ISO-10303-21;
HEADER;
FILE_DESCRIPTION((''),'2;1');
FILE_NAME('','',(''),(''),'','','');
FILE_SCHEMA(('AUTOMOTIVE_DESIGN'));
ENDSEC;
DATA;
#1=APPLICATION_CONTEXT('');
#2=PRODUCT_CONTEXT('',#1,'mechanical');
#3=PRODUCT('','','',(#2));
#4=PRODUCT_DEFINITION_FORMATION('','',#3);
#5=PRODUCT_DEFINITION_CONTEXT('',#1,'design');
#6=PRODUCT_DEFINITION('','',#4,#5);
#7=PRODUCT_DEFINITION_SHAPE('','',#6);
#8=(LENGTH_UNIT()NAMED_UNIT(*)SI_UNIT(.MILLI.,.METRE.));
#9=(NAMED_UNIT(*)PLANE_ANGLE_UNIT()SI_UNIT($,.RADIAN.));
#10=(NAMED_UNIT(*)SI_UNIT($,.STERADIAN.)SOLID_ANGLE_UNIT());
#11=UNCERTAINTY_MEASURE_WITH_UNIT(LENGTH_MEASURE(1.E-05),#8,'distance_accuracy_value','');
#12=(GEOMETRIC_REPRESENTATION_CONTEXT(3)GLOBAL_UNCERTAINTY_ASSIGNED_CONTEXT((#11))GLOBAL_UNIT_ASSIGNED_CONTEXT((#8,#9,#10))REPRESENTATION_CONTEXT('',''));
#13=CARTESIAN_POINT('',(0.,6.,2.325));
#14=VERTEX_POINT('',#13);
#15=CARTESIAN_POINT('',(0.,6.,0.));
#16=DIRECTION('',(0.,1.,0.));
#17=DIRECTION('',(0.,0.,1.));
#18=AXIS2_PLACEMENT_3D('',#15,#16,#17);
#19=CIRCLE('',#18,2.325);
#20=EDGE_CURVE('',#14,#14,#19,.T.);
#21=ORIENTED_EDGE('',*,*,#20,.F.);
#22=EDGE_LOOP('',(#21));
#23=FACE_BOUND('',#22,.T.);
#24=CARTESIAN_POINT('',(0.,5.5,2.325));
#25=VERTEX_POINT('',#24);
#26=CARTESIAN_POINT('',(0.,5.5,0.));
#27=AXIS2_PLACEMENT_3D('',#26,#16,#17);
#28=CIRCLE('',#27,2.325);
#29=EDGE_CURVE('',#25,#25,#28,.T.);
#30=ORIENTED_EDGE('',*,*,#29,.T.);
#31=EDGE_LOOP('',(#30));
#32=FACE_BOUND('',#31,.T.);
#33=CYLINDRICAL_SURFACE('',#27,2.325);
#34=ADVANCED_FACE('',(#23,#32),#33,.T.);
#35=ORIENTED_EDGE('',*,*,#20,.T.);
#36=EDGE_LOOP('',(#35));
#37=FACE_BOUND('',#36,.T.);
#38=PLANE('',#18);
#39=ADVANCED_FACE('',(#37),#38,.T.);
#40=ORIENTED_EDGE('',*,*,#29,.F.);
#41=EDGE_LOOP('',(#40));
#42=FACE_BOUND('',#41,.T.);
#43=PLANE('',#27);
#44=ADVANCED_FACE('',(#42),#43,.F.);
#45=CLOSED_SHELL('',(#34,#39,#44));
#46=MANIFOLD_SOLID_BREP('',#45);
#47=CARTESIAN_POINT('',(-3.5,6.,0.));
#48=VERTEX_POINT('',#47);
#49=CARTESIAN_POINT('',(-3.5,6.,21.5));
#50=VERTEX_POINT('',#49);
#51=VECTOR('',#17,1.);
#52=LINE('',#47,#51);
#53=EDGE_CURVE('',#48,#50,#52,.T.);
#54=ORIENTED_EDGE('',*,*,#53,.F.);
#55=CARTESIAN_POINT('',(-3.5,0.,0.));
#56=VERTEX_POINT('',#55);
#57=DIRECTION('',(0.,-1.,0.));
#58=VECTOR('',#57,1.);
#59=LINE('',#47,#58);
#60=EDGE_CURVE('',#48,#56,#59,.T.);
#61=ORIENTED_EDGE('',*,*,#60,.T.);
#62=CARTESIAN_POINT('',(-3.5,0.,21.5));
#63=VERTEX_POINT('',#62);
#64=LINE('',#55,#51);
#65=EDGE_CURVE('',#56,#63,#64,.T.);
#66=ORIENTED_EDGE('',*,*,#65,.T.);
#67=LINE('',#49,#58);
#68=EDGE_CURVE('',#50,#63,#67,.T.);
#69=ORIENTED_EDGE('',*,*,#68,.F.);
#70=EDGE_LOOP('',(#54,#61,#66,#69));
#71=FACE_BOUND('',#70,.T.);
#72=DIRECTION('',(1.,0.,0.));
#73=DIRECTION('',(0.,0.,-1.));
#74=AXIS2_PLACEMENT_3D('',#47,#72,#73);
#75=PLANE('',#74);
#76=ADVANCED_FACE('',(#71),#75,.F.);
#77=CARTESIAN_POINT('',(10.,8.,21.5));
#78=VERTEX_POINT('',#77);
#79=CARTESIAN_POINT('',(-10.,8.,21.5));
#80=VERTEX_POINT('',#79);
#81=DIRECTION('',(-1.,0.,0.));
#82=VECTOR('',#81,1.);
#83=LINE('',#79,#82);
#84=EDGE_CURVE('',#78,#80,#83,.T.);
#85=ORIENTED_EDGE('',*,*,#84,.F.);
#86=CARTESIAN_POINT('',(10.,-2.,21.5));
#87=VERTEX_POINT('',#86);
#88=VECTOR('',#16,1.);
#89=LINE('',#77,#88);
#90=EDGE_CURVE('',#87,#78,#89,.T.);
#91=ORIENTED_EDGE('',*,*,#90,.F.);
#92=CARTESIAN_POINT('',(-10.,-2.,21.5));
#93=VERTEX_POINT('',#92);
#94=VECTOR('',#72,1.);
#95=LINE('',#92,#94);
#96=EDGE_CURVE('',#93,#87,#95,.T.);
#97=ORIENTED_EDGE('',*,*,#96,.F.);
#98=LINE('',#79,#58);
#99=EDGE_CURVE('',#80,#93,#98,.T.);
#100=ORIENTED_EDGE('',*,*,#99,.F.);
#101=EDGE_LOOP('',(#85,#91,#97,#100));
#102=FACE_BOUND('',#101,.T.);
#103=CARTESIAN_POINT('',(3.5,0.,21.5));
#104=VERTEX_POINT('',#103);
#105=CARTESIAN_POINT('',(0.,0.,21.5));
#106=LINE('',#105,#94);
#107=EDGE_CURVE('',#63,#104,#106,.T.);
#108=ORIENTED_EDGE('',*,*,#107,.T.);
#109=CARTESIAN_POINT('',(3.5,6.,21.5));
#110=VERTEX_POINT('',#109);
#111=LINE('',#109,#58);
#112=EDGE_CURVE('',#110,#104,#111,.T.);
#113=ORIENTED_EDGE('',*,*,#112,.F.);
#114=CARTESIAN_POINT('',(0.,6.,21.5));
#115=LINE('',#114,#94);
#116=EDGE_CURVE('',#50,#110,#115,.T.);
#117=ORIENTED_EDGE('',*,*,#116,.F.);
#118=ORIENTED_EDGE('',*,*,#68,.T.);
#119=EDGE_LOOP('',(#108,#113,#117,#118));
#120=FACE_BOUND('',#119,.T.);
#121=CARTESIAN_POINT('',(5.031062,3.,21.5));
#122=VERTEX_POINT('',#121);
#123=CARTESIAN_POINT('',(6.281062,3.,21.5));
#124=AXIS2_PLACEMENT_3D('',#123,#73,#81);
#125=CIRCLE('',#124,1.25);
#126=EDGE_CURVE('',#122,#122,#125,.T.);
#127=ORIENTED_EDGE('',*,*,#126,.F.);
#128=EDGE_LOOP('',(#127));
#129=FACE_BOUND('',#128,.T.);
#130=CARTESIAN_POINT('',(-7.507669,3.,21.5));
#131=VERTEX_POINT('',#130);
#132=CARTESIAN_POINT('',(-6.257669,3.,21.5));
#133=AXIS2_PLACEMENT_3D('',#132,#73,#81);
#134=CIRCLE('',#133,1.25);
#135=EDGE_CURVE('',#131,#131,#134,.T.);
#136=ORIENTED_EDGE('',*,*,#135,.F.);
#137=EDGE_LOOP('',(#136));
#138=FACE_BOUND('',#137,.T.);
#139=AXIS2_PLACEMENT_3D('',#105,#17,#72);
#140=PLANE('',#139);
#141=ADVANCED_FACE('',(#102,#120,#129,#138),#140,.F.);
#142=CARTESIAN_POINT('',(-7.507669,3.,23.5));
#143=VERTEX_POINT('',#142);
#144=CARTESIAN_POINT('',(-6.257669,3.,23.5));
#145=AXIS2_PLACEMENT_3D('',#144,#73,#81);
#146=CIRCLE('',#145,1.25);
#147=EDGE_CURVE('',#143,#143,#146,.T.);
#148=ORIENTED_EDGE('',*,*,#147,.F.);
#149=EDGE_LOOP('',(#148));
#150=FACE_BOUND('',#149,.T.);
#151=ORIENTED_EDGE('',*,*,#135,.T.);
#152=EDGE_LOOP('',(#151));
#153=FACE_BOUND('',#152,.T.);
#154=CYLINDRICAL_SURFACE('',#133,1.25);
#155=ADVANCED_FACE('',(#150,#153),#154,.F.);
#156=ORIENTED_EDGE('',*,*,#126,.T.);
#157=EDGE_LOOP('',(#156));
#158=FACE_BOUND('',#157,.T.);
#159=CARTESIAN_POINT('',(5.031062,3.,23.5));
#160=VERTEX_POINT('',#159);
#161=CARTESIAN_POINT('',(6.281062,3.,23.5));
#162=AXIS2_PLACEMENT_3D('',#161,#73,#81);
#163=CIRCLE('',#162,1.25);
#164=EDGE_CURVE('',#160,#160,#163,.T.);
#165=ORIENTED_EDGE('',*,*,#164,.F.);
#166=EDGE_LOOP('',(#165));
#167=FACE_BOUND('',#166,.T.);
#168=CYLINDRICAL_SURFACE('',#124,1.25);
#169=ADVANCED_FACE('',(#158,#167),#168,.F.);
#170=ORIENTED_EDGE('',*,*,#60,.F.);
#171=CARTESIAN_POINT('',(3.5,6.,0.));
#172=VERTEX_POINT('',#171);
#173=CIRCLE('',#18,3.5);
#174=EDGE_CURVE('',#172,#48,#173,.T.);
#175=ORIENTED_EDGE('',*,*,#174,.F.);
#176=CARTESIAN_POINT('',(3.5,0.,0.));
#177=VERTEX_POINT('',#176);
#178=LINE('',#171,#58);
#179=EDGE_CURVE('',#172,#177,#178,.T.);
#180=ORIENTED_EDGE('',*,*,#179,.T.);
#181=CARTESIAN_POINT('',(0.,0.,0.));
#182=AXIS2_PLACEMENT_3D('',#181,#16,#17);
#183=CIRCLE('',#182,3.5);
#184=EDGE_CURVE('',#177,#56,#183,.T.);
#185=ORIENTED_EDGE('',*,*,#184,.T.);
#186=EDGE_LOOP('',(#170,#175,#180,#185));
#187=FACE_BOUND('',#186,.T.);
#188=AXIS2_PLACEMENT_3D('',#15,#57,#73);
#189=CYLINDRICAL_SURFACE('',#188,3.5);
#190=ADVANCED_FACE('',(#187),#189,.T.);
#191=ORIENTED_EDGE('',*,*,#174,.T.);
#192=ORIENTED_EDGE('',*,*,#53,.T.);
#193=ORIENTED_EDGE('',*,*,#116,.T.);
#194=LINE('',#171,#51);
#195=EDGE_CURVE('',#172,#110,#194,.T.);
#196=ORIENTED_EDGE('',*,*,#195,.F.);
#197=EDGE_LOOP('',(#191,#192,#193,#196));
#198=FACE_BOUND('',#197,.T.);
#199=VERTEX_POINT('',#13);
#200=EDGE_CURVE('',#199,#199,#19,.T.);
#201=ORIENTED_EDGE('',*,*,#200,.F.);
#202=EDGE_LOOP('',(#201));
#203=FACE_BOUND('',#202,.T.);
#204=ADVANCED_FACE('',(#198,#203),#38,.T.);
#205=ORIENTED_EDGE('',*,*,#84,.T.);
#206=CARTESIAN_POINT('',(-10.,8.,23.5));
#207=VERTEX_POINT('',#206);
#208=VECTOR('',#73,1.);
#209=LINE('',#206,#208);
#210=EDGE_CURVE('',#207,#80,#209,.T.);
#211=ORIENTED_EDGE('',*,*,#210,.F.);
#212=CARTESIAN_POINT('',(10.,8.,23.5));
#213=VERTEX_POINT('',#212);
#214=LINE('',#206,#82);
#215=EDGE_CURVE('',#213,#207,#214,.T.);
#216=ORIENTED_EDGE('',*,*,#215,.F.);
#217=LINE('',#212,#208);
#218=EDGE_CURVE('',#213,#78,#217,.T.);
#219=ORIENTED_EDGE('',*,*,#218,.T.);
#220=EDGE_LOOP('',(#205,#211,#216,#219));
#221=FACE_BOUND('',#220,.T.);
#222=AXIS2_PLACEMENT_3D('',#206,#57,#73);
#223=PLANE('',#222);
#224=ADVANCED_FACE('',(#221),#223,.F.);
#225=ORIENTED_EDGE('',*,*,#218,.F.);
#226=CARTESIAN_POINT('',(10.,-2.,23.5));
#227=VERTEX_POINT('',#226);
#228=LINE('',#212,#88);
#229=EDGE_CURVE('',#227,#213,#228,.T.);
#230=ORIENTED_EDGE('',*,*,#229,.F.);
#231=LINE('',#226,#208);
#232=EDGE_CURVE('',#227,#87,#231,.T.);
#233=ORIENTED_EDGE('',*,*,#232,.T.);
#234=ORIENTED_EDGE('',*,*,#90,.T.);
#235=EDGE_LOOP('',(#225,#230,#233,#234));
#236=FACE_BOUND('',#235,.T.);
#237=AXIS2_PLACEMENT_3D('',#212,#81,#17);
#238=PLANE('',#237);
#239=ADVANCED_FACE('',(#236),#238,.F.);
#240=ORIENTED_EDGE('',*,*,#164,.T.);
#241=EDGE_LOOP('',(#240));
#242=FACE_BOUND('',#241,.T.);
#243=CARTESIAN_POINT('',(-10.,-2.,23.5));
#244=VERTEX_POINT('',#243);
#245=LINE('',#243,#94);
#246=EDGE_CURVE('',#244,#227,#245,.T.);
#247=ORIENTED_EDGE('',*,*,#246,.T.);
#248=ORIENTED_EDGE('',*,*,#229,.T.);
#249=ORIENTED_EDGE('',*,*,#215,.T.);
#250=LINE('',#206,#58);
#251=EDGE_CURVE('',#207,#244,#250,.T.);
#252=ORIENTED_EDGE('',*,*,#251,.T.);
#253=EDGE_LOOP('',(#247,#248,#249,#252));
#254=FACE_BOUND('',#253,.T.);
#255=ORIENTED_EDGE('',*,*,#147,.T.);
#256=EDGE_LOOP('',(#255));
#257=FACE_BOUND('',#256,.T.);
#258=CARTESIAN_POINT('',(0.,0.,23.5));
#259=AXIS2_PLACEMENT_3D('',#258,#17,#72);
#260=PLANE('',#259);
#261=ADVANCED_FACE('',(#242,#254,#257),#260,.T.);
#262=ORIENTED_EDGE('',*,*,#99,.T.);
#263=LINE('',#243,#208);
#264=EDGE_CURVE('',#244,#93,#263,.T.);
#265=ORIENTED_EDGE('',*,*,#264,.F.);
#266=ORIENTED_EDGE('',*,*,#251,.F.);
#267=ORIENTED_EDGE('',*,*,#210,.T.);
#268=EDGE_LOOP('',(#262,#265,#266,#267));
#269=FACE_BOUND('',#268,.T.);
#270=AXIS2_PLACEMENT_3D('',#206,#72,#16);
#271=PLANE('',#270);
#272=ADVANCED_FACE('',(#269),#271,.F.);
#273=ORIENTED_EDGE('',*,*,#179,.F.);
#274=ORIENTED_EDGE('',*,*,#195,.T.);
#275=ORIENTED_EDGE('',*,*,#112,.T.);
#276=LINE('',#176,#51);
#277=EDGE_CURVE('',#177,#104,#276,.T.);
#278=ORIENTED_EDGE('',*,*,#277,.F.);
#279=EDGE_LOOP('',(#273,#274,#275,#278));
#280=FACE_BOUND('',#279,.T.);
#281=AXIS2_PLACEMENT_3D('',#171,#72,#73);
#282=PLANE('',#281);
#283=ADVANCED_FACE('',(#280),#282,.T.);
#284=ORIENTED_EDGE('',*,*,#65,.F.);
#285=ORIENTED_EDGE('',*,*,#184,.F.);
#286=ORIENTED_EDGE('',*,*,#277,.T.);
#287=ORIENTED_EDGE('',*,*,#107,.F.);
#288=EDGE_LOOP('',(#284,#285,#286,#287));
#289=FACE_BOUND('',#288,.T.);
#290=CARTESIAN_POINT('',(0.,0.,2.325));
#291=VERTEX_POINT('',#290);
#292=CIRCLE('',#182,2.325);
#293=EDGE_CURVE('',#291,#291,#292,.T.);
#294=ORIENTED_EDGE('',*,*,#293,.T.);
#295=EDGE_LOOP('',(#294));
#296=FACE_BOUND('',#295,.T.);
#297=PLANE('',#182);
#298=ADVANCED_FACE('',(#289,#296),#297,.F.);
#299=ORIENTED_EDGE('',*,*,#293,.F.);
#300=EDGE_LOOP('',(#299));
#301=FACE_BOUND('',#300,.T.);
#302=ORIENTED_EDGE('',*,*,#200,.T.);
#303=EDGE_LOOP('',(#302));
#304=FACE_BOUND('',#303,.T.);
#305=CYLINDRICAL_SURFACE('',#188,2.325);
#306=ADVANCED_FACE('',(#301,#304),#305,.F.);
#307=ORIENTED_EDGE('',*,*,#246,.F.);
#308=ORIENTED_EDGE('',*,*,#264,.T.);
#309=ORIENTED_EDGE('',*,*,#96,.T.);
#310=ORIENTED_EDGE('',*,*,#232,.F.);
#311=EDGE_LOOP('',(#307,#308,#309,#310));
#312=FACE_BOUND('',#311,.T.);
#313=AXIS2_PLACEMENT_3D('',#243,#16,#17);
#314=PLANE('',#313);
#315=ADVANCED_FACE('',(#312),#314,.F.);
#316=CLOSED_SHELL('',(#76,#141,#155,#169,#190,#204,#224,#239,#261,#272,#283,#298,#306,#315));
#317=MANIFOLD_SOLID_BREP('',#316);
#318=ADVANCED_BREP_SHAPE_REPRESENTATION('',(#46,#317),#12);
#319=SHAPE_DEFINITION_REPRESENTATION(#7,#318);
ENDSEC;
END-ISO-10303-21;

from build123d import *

# Parameters (mm, degrees)
BOSS_EXTRUDE1_DEPTH         = 6
SKETCH2_W                   = 20
SKETCH2_H                   = 10
BOSS_EXTRUDE2_DEPTH         = 2
TAP_DRILL_FOR_M3X0_5_TAP1_D = 2.5
SKETCH5_R                   = 2.325
BOSS_EXTRUDE3_DEPTH         = 0.5


with BuildPart() as part:
    # Sketch1 → Boss-Extrude1 (new body)
    with BuildSketch(Plane(origin=(0, 0, 0), x_dir=(1, 0, 0), z_dir=(0, 1, 0))):
        with BuildLine():
            Line((3.5, -21.5), (3.5, 0))
            ThreePointArc((3.5, 0), (0, -3.5), (-3.5, 0))
            Line((-3.5, 0), (-3.5, -21.5))
            Line((-3.5, -21.5), (3.5, -21.5))
        make_face()
        with BuildLine():
            ThreePointArc((-2.325, 0), (0, 2.325), (2.325, 0))
            Line((2.325, 0), (3.5, 0))
            ThreePointArc((3.5, 0), (0, 3.5), (-3.5, 0))
            Line((-3.5, 0), (-2.325, 0))
        make_face()
        with BuildLine():
            Line((3.5, 0), (2.325, 0))
            ThreePointArc((2.325, 0), (0, -2.325), (-2.325, 0))
            Line((-2.325, 0), (-3.5, 0))
            ThreePointArc((-3.5, 0), (0, -3.5), (3.5, 0))
        make_face()
    extrude(amount=BOSS_EXTRUDE1_DEPTH)

    # Sketch2 → Boss-Extrude2 (add)
    with BuildSketch(Plane.XY.offset(21.5)):
        with Locations((0, 3)):
            Rectangle(SKETCH2_W, SKETCH2_H)
    extrude(amount=BOSS_EXTRUDE2_DEPTH)

    # Tap Drill for M3x0.5 Tap1 (through all)
    with Locations(Plane(origin=(0, 0, 21.5), x_dir=(-1, 0, 0), z_dir=(0, 0, -1))):
        with Locations((6.2576685, 3), (-6.281061653, 3)):
            Hole(TAP_DRILL_FOR_M3X0_5_TAP1_D / 2)


with BuildPart() as body_2:
    # Sketch5 → Boss-Extrude3 (new body)
    with BuildSketch(Plane(origin=(0, 6, 0), x_dir=(1, 0, 0), z_dir=(0, 1, 0))):
        with Locations(Location((0, 0, 0), (0, 0, 270))):
            Circle(SKETCH5_R)
    extrude(amount=-BOSS_EXTRUDE3_DEPTH)


solid = Compound([part.part, body_2.part])
